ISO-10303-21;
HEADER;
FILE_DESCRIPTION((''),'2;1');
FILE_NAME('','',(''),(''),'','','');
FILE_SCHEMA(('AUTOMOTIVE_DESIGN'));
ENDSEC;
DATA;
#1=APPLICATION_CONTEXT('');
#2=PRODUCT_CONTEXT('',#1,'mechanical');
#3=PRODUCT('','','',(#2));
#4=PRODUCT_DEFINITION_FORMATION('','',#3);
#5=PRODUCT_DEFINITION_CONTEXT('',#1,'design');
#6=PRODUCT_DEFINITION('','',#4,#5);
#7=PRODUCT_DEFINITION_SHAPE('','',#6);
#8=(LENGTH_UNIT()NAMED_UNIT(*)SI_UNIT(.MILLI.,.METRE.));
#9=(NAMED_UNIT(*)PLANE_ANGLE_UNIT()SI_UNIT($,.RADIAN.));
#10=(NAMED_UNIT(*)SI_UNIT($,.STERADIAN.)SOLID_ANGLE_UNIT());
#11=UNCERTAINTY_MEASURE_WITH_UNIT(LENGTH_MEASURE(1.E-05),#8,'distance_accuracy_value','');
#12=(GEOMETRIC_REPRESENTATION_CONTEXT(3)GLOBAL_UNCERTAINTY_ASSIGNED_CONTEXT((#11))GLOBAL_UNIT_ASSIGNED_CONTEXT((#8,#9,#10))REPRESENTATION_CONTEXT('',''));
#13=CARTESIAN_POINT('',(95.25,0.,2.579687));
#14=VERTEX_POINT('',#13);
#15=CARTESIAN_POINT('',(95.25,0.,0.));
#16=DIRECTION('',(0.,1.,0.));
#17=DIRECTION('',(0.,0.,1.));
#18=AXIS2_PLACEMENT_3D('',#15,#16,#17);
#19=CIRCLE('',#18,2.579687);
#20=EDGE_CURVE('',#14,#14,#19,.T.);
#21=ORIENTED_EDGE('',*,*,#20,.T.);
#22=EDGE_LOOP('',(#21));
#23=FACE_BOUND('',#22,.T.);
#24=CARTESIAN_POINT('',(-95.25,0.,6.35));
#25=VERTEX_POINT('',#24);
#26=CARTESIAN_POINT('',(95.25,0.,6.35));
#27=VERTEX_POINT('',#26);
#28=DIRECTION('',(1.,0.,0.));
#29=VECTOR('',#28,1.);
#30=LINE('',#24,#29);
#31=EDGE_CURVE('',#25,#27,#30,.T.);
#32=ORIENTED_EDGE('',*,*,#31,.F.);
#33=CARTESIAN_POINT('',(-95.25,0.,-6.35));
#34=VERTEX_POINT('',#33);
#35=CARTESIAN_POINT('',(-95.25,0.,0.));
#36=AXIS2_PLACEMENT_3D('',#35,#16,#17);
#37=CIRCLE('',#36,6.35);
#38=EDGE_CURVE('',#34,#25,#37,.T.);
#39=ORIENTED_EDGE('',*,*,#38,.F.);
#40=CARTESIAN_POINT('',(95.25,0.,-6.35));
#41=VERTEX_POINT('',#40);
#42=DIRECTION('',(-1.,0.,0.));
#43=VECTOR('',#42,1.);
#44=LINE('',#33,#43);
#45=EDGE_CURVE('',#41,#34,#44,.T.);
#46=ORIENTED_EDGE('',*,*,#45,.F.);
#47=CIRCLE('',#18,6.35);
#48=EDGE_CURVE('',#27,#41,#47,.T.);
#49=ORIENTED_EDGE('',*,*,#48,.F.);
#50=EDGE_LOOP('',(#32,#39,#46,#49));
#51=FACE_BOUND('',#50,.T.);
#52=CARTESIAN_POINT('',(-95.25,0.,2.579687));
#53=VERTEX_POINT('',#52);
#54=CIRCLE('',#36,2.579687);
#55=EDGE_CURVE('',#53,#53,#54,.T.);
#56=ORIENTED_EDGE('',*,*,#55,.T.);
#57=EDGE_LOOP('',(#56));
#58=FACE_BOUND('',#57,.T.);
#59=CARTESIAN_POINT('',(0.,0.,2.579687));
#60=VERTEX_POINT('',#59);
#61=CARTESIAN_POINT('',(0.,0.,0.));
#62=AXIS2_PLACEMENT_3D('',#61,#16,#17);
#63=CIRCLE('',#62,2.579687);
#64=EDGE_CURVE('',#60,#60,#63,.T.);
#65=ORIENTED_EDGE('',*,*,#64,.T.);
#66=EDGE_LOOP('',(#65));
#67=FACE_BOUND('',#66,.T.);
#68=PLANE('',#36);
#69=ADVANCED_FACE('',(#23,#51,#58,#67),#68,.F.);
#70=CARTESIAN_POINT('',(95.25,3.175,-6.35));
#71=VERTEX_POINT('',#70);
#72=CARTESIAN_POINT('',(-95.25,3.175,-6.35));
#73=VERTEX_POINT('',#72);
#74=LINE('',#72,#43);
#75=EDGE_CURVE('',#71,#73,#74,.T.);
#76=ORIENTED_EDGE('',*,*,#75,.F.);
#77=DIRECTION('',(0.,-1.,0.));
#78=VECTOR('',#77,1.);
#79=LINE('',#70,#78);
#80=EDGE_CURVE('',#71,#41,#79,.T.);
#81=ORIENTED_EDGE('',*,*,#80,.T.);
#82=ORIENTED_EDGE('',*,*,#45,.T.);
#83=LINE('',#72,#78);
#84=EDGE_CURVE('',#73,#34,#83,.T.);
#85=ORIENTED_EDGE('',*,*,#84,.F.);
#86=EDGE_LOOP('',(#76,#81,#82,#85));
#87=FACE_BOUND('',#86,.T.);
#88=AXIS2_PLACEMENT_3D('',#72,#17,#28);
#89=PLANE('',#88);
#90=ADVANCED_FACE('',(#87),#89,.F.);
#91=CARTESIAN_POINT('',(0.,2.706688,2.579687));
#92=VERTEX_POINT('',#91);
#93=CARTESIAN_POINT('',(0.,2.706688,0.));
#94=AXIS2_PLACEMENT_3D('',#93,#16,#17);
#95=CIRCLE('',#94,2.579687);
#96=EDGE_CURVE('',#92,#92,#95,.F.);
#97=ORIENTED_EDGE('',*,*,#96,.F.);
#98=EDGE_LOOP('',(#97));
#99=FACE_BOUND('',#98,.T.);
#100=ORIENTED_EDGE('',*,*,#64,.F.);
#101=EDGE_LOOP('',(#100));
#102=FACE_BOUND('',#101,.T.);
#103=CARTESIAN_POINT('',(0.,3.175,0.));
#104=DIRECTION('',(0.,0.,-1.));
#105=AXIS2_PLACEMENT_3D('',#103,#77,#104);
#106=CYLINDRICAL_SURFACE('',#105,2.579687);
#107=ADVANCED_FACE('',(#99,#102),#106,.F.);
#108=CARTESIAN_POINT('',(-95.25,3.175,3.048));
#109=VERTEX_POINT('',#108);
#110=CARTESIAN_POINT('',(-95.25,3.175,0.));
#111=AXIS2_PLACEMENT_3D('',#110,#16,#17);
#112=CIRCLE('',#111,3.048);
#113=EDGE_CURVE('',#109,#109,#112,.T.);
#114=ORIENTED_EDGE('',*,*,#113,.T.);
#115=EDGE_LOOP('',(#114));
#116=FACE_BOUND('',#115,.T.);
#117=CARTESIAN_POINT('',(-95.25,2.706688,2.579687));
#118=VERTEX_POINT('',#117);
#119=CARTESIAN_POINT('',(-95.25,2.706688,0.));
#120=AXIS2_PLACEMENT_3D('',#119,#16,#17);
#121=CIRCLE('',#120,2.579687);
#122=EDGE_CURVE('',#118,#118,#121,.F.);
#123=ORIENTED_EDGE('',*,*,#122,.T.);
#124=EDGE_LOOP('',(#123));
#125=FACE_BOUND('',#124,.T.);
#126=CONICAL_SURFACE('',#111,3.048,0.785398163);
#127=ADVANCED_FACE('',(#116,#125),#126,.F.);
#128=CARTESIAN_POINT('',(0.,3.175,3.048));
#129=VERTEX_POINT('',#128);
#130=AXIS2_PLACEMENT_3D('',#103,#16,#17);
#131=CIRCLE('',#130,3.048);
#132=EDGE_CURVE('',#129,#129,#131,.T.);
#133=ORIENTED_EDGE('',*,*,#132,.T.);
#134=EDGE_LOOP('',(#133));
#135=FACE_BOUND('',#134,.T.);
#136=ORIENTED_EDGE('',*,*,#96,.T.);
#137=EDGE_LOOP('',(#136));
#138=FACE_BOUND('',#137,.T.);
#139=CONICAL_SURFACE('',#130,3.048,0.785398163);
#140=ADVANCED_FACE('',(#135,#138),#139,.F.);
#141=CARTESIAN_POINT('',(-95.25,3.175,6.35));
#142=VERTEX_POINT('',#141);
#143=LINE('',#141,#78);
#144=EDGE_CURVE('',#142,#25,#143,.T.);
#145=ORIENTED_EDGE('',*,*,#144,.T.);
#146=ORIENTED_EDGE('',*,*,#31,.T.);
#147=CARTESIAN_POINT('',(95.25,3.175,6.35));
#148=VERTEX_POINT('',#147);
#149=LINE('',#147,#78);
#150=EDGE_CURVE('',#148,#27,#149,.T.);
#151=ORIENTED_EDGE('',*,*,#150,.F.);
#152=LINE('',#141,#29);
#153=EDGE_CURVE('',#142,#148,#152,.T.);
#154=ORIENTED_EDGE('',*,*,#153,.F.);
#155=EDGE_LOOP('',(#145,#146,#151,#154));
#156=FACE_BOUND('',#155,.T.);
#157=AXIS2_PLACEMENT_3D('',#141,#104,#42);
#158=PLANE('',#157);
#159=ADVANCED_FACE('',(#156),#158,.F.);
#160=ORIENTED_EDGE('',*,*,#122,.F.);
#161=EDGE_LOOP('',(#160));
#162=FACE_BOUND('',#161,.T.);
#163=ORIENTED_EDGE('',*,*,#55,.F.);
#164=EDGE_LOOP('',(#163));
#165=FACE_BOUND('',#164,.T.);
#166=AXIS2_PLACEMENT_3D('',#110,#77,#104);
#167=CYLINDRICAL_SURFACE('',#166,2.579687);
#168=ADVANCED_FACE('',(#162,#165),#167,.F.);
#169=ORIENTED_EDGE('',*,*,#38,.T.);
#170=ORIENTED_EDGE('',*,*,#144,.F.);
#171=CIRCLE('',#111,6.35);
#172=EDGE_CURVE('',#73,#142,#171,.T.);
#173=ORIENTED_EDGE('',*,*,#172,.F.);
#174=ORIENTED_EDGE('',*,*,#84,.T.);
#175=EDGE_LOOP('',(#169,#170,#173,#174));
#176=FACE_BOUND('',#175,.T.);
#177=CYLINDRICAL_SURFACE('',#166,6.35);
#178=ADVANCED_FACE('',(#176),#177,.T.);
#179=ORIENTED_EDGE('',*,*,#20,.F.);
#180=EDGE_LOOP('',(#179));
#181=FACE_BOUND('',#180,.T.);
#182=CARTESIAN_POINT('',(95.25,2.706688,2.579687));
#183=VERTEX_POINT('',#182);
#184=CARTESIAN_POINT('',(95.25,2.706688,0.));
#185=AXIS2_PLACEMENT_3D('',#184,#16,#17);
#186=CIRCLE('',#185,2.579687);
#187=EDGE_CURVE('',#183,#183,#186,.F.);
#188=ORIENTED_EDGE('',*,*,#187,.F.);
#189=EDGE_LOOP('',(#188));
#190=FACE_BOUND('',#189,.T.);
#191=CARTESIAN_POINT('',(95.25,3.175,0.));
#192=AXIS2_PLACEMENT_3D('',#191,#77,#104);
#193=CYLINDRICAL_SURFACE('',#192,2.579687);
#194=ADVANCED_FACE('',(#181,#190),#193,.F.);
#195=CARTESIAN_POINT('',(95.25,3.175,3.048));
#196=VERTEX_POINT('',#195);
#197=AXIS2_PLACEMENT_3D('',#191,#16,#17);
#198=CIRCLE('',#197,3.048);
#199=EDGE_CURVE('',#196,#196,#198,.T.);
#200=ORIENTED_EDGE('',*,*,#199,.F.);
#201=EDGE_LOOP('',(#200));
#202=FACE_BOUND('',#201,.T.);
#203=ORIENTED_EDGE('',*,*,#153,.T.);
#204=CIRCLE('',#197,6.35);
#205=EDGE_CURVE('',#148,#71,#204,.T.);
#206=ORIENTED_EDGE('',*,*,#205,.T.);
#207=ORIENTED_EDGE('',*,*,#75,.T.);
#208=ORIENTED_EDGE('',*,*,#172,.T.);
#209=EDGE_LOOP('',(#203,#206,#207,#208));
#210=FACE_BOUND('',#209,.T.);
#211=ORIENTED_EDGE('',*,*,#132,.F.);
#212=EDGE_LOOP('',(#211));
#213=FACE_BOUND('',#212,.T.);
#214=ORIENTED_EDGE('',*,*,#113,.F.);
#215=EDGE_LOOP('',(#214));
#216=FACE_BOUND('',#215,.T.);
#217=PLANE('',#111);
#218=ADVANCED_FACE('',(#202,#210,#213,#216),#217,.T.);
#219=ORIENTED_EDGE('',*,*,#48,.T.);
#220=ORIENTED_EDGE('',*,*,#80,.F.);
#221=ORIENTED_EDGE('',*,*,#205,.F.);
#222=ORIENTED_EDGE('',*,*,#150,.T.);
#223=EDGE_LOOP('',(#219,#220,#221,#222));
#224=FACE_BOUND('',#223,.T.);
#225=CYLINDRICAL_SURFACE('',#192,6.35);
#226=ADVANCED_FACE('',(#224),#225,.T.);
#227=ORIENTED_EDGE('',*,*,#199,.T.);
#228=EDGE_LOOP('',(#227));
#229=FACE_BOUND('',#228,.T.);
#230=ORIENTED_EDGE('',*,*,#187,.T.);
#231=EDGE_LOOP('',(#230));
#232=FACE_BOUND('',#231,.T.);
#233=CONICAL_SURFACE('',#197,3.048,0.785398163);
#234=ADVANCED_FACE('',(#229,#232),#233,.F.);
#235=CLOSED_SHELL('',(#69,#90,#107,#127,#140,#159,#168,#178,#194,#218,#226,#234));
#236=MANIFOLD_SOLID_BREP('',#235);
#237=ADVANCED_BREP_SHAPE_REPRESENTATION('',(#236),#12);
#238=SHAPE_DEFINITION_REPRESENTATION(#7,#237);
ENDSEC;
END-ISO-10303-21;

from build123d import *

# Parameters (mm, degrees)
SKETCH1_R                        = 2.5796875
BOSS_EXTRUDE1_DEPTH              = 3.175
F_10_32_TAPPED_HOLE1_D           = 4.0386
F_10_32_TAPPED_HOLE1_CSINK_D     = 6.096
F_10_32_TAPPED_HOLE1_CSINK_ANGLE = 90


with BuildPart() as part:
    # Sketch1 → Boss-Extrude1 (new body)
    with BuildSketch(Plane(origin=(0, 0, 0), x_dir=(1, 0, 0), z_dir=(0, 1, 0))):
        with BuildLine():
            Line((-95.25, 6.35), (95.25, 6.35))
            ThreePointArc((95.25, 6.35), (101.6, 0), (95.25, -6.35))
            Line((95.25, -6.35), (-95.25, -6.35))
            ThreePointArc((-95.25, -6.35), (-101.6, 0), (-95.25, 6.35))
        make_face()
        with Locations((95.25, 0)):
            Circle(SKETCH1_R, mode=Mode.SUBTRACT)
        with Locations((-95.25, 0)):
            Circle(SKETCH1_R, mode=Mode.SUBTRACT)
        Circle(SKETCH1_R, mode=Mode.SUBTRACT)
    extrude(amount=BOSS_EXTRUDE1_DEPTH)

    # #10-32 Tapped Hole1 (through all)
    with Locations(Plane(origin=(0, 3.175, 0), x_dir=(1, 0, 0), z_dir=(0, 1, 0))):
        with Locations((-95.25, 0), (0, 0), (95.25, 0)):
            CounterSinkHole(F_10_32_TAPPED_HOLE1_D / 2, F_10_32_TAPPED_HOLE1_CSINK_D / 2, counter_sink_angle=F_10_32_TAPPED_HOLE1_CSINK_ANGLE)


solid = part.part
